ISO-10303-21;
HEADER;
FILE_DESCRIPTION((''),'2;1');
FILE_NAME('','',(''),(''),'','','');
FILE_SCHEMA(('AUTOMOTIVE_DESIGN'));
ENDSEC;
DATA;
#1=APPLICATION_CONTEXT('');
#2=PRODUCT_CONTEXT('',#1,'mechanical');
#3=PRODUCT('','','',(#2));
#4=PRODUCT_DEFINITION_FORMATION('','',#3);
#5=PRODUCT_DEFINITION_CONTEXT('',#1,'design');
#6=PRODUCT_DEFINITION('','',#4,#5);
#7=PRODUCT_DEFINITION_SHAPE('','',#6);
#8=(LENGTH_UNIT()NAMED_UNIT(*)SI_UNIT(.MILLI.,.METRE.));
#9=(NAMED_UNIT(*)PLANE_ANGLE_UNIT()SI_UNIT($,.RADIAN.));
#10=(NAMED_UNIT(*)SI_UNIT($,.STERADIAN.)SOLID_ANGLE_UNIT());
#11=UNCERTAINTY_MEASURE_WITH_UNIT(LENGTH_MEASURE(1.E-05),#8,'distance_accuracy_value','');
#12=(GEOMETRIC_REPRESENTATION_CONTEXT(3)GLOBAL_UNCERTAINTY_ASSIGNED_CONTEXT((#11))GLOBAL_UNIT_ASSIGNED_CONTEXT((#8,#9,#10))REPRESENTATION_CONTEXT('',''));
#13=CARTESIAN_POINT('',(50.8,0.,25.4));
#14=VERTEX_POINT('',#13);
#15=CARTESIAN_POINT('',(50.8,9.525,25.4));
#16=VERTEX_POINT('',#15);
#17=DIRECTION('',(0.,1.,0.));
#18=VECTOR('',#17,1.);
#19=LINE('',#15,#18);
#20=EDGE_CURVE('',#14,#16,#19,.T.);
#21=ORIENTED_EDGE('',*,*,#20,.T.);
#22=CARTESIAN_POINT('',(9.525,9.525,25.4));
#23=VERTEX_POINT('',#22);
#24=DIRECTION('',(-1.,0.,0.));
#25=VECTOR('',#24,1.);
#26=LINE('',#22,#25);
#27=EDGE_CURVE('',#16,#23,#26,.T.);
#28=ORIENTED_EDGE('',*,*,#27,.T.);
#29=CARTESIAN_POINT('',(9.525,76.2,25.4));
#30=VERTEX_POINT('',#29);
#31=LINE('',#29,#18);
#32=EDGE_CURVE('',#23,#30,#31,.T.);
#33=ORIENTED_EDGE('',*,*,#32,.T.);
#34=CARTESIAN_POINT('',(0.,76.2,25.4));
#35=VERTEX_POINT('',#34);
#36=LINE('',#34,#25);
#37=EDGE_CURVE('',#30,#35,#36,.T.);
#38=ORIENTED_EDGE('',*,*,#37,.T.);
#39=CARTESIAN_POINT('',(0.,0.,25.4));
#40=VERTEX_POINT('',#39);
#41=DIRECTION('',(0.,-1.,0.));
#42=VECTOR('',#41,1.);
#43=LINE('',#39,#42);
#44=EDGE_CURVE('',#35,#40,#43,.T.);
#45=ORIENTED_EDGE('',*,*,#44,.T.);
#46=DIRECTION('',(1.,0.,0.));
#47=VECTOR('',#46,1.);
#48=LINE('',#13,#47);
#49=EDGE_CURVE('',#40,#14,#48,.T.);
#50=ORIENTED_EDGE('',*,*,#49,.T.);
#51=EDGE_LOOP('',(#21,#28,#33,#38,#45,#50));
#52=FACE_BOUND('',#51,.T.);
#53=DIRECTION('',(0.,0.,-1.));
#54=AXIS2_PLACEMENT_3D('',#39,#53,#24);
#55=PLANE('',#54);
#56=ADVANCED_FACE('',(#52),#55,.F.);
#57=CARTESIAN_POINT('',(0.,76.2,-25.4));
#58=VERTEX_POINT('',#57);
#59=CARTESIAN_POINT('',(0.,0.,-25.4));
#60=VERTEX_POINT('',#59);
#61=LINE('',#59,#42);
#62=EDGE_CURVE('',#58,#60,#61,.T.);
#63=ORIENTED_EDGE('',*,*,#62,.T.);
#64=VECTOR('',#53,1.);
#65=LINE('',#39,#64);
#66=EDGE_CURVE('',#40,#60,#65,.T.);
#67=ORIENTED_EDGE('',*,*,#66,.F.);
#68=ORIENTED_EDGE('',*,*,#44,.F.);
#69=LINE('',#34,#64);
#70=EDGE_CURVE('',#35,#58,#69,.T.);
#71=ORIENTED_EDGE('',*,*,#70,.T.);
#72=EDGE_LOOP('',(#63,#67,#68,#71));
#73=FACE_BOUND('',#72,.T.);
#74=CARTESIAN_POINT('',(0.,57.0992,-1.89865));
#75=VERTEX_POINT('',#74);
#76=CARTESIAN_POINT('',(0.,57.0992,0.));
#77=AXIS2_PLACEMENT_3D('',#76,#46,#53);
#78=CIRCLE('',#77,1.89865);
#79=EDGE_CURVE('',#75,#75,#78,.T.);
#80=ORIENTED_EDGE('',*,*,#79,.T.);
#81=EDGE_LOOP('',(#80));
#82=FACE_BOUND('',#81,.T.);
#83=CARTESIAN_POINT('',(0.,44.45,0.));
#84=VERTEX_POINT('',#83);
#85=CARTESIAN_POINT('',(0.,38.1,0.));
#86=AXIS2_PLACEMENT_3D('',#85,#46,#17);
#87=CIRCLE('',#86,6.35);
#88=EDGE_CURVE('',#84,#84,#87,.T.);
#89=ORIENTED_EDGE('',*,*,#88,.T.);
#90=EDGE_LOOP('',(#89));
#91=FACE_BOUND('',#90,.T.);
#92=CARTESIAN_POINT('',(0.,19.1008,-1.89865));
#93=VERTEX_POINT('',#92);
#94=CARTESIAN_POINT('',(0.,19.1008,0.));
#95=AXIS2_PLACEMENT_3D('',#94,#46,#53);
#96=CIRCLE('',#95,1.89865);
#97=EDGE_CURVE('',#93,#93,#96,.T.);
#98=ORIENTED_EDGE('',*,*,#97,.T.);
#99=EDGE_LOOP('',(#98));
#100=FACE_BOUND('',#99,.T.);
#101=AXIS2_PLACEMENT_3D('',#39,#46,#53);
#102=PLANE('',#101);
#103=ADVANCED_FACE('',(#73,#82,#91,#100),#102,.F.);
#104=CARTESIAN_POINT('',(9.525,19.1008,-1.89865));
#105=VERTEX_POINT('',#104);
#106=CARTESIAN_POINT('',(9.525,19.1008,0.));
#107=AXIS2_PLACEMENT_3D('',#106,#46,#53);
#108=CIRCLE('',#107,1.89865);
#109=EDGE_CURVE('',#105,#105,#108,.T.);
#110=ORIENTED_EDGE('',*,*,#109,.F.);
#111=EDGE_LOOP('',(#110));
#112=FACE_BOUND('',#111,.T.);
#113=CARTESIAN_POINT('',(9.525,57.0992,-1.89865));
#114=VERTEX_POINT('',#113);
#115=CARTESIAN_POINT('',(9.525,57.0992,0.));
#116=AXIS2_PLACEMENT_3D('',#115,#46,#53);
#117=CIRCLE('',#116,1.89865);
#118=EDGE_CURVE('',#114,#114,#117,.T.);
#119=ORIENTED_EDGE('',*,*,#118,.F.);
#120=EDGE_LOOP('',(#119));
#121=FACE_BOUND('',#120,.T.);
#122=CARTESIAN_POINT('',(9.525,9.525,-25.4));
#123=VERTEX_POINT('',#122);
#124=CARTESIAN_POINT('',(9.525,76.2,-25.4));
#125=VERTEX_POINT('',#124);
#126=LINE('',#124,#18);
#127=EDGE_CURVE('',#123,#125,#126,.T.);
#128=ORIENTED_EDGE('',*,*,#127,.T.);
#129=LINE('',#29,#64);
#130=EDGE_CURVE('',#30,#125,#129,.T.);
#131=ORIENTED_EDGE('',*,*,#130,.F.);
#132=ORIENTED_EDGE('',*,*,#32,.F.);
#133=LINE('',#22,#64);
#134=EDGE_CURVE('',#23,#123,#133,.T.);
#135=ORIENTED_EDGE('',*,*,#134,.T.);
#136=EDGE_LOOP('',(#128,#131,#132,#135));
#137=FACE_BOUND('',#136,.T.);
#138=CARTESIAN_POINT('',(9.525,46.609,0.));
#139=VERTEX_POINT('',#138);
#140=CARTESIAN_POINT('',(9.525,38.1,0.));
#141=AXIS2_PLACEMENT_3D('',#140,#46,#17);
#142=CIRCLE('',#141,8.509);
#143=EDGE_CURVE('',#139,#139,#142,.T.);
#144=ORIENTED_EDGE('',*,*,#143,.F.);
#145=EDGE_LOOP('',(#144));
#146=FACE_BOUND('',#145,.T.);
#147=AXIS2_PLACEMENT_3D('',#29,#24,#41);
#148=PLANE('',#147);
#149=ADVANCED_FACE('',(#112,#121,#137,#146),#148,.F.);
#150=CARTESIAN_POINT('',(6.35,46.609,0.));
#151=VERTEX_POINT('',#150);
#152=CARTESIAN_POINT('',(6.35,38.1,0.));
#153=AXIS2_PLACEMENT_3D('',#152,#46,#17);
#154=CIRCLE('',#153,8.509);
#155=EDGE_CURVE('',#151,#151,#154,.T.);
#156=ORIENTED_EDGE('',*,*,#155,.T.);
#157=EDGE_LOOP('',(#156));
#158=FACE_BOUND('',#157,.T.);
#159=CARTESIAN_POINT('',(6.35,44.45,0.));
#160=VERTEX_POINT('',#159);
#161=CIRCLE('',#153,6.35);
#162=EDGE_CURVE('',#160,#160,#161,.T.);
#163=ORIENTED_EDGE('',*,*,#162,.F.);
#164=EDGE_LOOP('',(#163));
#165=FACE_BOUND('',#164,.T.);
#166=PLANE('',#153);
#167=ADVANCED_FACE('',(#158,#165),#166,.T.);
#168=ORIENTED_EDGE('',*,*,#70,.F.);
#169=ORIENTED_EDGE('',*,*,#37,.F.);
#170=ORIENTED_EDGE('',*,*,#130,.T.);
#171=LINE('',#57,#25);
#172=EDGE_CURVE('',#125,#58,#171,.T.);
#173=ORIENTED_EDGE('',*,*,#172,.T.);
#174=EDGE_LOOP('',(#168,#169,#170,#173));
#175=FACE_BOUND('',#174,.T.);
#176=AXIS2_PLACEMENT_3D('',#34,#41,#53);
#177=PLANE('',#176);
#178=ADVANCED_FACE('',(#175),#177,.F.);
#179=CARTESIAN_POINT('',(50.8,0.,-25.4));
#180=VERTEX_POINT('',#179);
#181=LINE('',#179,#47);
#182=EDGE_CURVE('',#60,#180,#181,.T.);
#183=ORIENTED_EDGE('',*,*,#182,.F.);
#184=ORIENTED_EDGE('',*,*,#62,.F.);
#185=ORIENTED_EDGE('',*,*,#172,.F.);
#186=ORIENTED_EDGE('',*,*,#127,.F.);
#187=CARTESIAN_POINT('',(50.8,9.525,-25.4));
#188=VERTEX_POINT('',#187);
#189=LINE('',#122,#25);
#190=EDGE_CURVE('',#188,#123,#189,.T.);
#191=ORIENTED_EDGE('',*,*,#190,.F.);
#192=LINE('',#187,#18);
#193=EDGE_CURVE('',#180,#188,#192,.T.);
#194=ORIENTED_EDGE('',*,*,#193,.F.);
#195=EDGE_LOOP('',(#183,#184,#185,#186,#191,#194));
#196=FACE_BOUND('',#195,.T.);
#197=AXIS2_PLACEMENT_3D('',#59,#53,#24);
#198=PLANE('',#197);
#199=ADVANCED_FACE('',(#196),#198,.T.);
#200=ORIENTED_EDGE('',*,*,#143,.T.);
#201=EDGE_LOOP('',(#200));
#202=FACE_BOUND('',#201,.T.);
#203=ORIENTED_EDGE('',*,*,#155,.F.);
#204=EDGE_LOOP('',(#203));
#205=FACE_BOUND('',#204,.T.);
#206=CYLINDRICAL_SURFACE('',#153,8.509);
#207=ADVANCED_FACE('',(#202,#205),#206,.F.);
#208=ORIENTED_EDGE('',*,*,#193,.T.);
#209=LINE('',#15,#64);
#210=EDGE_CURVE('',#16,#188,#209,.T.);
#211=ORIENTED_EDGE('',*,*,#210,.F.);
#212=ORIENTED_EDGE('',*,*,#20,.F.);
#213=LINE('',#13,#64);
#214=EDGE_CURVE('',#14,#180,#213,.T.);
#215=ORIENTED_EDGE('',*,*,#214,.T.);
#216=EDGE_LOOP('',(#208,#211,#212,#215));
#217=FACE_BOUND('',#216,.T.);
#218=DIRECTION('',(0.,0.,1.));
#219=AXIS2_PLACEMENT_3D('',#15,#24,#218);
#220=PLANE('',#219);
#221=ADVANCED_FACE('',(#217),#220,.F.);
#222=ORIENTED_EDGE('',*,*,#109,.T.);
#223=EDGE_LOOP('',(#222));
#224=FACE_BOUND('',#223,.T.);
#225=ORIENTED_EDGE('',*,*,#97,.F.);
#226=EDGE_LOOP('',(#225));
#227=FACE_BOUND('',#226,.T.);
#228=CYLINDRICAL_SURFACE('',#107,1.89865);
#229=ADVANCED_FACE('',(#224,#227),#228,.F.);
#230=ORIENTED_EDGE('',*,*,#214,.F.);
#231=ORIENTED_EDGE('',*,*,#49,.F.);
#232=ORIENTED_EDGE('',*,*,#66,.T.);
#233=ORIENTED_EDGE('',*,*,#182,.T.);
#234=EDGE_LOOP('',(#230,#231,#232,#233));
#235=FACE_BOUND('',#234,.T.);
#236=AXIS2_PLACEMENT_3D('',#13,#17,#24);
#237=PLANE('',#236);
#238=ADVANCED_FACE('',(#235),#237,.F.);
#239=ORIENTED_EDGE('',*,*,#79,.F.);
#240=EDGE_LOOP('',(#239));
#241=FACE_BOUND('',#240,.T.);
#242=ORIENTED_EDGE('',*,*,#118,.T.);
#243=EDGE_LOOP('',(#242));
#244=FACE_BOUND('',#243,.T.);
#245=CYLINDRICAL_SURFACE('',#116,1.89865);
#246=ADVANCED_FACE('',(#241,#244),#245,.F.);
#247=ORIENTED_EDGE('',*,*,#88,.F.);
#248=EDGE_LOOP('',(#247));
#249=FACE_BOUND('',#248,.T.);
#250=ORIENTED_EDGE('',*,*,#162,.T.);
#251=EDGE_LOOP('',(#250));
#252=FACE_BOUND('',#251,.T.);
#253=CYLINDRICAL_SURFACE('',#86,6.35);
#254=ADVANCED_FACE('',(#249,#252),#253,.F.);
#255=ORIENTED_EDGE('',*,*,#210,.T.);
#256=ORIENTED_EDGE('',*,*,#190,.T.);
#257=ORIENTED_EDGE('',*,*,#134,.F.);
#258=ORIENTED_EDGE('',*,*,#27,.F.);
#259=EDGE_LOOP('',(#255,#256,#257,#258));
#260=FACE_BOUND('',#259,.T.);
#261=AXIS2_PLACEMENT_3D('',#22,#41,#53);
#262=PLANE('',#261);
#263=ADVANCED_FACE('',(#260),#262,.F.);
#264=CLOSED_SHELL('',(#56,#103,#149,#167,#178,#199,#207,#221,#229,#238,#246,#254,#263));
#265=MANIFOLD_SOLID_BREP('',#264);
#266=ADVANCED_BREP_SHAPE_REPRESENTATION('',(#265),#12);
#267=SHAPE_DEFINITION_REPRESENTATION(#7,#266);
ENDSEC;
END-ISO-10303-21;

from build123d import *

# Parameters (mm, degrees)
BOSS_EXTRUDE1_DEPTH     = 25.4
SKETCH5_R               = 8.509
CUT_EXTRUDE1_DEPTH      = 3.175
CUT_EXTRUDE2_DEPTH      = 91.306287849
CUT_EXTRUDE2_DEPTH_BACK = 91.306287849
SKETCH6_R               = 6.35
F_10_24_TAPPED_HOLE1_D  = 3.7973


with BuildPart() as part:
    # Sketch2 → Boss-Extrude1 (new, symmetric)
    with BuildSketch(Plane.XY):
        Polygon((0, 0), (0, 76.2), (9.525, 76.2), (9.525, 9.525), (50.8, 9.525), (50.8, 0), align=None)
    extrude(amount=BOSS_EXTRUDE1_DEPTH, both=True)

    # Sketch5 → Cut-Extrude1 (cut)
    with BuildSketch(Plane(origin=(9.525, 0, 0), x_dir=(0, 0, -1), z_dir=(1, 0, 0))):
        with Locations(Location((0, 38.1, 0), (0, 0, 90))):
            Circle(SKETCH5_R)
    extrude(amount=-CUT_EXTRUDE1_DEPTH, mode=Mode.SUBTRACT)

    # Sketch6 → Cut-Extrude2 (cut, two sides: drawn at the far end of the back side and taken through both)
    with BuildSketch(Plane(origin=(9.525, 0, 0), x_dir=(0, 0, -1), z_dir=(1, 0, 0)).offset(-CUT_EXTRUDE2_DEPTH_BACK)):
        with Locations(Location((0, 38.1, 0), (0, 0, 90))):
            Circle(SKETCH6_R)
    extrude(amount=CUT_EXTRUDE2_DEPTH + CUT_EXTRUDE2_DEPTH_BACK, mode=Mode.SUBTRACT)

    # #10-24 Tapped Hole1 (through all)
    with Locations(Plane(origin=(9.525, 0, 0), x_dir=(0, 0, -1), z_dir=(1, 0, 0))):
        with Locations((0, 57.0992), (0, 19.1008)):
            Hole(F_10_24_TAPPED_HOLE1_D / 2)


solid = part.part
